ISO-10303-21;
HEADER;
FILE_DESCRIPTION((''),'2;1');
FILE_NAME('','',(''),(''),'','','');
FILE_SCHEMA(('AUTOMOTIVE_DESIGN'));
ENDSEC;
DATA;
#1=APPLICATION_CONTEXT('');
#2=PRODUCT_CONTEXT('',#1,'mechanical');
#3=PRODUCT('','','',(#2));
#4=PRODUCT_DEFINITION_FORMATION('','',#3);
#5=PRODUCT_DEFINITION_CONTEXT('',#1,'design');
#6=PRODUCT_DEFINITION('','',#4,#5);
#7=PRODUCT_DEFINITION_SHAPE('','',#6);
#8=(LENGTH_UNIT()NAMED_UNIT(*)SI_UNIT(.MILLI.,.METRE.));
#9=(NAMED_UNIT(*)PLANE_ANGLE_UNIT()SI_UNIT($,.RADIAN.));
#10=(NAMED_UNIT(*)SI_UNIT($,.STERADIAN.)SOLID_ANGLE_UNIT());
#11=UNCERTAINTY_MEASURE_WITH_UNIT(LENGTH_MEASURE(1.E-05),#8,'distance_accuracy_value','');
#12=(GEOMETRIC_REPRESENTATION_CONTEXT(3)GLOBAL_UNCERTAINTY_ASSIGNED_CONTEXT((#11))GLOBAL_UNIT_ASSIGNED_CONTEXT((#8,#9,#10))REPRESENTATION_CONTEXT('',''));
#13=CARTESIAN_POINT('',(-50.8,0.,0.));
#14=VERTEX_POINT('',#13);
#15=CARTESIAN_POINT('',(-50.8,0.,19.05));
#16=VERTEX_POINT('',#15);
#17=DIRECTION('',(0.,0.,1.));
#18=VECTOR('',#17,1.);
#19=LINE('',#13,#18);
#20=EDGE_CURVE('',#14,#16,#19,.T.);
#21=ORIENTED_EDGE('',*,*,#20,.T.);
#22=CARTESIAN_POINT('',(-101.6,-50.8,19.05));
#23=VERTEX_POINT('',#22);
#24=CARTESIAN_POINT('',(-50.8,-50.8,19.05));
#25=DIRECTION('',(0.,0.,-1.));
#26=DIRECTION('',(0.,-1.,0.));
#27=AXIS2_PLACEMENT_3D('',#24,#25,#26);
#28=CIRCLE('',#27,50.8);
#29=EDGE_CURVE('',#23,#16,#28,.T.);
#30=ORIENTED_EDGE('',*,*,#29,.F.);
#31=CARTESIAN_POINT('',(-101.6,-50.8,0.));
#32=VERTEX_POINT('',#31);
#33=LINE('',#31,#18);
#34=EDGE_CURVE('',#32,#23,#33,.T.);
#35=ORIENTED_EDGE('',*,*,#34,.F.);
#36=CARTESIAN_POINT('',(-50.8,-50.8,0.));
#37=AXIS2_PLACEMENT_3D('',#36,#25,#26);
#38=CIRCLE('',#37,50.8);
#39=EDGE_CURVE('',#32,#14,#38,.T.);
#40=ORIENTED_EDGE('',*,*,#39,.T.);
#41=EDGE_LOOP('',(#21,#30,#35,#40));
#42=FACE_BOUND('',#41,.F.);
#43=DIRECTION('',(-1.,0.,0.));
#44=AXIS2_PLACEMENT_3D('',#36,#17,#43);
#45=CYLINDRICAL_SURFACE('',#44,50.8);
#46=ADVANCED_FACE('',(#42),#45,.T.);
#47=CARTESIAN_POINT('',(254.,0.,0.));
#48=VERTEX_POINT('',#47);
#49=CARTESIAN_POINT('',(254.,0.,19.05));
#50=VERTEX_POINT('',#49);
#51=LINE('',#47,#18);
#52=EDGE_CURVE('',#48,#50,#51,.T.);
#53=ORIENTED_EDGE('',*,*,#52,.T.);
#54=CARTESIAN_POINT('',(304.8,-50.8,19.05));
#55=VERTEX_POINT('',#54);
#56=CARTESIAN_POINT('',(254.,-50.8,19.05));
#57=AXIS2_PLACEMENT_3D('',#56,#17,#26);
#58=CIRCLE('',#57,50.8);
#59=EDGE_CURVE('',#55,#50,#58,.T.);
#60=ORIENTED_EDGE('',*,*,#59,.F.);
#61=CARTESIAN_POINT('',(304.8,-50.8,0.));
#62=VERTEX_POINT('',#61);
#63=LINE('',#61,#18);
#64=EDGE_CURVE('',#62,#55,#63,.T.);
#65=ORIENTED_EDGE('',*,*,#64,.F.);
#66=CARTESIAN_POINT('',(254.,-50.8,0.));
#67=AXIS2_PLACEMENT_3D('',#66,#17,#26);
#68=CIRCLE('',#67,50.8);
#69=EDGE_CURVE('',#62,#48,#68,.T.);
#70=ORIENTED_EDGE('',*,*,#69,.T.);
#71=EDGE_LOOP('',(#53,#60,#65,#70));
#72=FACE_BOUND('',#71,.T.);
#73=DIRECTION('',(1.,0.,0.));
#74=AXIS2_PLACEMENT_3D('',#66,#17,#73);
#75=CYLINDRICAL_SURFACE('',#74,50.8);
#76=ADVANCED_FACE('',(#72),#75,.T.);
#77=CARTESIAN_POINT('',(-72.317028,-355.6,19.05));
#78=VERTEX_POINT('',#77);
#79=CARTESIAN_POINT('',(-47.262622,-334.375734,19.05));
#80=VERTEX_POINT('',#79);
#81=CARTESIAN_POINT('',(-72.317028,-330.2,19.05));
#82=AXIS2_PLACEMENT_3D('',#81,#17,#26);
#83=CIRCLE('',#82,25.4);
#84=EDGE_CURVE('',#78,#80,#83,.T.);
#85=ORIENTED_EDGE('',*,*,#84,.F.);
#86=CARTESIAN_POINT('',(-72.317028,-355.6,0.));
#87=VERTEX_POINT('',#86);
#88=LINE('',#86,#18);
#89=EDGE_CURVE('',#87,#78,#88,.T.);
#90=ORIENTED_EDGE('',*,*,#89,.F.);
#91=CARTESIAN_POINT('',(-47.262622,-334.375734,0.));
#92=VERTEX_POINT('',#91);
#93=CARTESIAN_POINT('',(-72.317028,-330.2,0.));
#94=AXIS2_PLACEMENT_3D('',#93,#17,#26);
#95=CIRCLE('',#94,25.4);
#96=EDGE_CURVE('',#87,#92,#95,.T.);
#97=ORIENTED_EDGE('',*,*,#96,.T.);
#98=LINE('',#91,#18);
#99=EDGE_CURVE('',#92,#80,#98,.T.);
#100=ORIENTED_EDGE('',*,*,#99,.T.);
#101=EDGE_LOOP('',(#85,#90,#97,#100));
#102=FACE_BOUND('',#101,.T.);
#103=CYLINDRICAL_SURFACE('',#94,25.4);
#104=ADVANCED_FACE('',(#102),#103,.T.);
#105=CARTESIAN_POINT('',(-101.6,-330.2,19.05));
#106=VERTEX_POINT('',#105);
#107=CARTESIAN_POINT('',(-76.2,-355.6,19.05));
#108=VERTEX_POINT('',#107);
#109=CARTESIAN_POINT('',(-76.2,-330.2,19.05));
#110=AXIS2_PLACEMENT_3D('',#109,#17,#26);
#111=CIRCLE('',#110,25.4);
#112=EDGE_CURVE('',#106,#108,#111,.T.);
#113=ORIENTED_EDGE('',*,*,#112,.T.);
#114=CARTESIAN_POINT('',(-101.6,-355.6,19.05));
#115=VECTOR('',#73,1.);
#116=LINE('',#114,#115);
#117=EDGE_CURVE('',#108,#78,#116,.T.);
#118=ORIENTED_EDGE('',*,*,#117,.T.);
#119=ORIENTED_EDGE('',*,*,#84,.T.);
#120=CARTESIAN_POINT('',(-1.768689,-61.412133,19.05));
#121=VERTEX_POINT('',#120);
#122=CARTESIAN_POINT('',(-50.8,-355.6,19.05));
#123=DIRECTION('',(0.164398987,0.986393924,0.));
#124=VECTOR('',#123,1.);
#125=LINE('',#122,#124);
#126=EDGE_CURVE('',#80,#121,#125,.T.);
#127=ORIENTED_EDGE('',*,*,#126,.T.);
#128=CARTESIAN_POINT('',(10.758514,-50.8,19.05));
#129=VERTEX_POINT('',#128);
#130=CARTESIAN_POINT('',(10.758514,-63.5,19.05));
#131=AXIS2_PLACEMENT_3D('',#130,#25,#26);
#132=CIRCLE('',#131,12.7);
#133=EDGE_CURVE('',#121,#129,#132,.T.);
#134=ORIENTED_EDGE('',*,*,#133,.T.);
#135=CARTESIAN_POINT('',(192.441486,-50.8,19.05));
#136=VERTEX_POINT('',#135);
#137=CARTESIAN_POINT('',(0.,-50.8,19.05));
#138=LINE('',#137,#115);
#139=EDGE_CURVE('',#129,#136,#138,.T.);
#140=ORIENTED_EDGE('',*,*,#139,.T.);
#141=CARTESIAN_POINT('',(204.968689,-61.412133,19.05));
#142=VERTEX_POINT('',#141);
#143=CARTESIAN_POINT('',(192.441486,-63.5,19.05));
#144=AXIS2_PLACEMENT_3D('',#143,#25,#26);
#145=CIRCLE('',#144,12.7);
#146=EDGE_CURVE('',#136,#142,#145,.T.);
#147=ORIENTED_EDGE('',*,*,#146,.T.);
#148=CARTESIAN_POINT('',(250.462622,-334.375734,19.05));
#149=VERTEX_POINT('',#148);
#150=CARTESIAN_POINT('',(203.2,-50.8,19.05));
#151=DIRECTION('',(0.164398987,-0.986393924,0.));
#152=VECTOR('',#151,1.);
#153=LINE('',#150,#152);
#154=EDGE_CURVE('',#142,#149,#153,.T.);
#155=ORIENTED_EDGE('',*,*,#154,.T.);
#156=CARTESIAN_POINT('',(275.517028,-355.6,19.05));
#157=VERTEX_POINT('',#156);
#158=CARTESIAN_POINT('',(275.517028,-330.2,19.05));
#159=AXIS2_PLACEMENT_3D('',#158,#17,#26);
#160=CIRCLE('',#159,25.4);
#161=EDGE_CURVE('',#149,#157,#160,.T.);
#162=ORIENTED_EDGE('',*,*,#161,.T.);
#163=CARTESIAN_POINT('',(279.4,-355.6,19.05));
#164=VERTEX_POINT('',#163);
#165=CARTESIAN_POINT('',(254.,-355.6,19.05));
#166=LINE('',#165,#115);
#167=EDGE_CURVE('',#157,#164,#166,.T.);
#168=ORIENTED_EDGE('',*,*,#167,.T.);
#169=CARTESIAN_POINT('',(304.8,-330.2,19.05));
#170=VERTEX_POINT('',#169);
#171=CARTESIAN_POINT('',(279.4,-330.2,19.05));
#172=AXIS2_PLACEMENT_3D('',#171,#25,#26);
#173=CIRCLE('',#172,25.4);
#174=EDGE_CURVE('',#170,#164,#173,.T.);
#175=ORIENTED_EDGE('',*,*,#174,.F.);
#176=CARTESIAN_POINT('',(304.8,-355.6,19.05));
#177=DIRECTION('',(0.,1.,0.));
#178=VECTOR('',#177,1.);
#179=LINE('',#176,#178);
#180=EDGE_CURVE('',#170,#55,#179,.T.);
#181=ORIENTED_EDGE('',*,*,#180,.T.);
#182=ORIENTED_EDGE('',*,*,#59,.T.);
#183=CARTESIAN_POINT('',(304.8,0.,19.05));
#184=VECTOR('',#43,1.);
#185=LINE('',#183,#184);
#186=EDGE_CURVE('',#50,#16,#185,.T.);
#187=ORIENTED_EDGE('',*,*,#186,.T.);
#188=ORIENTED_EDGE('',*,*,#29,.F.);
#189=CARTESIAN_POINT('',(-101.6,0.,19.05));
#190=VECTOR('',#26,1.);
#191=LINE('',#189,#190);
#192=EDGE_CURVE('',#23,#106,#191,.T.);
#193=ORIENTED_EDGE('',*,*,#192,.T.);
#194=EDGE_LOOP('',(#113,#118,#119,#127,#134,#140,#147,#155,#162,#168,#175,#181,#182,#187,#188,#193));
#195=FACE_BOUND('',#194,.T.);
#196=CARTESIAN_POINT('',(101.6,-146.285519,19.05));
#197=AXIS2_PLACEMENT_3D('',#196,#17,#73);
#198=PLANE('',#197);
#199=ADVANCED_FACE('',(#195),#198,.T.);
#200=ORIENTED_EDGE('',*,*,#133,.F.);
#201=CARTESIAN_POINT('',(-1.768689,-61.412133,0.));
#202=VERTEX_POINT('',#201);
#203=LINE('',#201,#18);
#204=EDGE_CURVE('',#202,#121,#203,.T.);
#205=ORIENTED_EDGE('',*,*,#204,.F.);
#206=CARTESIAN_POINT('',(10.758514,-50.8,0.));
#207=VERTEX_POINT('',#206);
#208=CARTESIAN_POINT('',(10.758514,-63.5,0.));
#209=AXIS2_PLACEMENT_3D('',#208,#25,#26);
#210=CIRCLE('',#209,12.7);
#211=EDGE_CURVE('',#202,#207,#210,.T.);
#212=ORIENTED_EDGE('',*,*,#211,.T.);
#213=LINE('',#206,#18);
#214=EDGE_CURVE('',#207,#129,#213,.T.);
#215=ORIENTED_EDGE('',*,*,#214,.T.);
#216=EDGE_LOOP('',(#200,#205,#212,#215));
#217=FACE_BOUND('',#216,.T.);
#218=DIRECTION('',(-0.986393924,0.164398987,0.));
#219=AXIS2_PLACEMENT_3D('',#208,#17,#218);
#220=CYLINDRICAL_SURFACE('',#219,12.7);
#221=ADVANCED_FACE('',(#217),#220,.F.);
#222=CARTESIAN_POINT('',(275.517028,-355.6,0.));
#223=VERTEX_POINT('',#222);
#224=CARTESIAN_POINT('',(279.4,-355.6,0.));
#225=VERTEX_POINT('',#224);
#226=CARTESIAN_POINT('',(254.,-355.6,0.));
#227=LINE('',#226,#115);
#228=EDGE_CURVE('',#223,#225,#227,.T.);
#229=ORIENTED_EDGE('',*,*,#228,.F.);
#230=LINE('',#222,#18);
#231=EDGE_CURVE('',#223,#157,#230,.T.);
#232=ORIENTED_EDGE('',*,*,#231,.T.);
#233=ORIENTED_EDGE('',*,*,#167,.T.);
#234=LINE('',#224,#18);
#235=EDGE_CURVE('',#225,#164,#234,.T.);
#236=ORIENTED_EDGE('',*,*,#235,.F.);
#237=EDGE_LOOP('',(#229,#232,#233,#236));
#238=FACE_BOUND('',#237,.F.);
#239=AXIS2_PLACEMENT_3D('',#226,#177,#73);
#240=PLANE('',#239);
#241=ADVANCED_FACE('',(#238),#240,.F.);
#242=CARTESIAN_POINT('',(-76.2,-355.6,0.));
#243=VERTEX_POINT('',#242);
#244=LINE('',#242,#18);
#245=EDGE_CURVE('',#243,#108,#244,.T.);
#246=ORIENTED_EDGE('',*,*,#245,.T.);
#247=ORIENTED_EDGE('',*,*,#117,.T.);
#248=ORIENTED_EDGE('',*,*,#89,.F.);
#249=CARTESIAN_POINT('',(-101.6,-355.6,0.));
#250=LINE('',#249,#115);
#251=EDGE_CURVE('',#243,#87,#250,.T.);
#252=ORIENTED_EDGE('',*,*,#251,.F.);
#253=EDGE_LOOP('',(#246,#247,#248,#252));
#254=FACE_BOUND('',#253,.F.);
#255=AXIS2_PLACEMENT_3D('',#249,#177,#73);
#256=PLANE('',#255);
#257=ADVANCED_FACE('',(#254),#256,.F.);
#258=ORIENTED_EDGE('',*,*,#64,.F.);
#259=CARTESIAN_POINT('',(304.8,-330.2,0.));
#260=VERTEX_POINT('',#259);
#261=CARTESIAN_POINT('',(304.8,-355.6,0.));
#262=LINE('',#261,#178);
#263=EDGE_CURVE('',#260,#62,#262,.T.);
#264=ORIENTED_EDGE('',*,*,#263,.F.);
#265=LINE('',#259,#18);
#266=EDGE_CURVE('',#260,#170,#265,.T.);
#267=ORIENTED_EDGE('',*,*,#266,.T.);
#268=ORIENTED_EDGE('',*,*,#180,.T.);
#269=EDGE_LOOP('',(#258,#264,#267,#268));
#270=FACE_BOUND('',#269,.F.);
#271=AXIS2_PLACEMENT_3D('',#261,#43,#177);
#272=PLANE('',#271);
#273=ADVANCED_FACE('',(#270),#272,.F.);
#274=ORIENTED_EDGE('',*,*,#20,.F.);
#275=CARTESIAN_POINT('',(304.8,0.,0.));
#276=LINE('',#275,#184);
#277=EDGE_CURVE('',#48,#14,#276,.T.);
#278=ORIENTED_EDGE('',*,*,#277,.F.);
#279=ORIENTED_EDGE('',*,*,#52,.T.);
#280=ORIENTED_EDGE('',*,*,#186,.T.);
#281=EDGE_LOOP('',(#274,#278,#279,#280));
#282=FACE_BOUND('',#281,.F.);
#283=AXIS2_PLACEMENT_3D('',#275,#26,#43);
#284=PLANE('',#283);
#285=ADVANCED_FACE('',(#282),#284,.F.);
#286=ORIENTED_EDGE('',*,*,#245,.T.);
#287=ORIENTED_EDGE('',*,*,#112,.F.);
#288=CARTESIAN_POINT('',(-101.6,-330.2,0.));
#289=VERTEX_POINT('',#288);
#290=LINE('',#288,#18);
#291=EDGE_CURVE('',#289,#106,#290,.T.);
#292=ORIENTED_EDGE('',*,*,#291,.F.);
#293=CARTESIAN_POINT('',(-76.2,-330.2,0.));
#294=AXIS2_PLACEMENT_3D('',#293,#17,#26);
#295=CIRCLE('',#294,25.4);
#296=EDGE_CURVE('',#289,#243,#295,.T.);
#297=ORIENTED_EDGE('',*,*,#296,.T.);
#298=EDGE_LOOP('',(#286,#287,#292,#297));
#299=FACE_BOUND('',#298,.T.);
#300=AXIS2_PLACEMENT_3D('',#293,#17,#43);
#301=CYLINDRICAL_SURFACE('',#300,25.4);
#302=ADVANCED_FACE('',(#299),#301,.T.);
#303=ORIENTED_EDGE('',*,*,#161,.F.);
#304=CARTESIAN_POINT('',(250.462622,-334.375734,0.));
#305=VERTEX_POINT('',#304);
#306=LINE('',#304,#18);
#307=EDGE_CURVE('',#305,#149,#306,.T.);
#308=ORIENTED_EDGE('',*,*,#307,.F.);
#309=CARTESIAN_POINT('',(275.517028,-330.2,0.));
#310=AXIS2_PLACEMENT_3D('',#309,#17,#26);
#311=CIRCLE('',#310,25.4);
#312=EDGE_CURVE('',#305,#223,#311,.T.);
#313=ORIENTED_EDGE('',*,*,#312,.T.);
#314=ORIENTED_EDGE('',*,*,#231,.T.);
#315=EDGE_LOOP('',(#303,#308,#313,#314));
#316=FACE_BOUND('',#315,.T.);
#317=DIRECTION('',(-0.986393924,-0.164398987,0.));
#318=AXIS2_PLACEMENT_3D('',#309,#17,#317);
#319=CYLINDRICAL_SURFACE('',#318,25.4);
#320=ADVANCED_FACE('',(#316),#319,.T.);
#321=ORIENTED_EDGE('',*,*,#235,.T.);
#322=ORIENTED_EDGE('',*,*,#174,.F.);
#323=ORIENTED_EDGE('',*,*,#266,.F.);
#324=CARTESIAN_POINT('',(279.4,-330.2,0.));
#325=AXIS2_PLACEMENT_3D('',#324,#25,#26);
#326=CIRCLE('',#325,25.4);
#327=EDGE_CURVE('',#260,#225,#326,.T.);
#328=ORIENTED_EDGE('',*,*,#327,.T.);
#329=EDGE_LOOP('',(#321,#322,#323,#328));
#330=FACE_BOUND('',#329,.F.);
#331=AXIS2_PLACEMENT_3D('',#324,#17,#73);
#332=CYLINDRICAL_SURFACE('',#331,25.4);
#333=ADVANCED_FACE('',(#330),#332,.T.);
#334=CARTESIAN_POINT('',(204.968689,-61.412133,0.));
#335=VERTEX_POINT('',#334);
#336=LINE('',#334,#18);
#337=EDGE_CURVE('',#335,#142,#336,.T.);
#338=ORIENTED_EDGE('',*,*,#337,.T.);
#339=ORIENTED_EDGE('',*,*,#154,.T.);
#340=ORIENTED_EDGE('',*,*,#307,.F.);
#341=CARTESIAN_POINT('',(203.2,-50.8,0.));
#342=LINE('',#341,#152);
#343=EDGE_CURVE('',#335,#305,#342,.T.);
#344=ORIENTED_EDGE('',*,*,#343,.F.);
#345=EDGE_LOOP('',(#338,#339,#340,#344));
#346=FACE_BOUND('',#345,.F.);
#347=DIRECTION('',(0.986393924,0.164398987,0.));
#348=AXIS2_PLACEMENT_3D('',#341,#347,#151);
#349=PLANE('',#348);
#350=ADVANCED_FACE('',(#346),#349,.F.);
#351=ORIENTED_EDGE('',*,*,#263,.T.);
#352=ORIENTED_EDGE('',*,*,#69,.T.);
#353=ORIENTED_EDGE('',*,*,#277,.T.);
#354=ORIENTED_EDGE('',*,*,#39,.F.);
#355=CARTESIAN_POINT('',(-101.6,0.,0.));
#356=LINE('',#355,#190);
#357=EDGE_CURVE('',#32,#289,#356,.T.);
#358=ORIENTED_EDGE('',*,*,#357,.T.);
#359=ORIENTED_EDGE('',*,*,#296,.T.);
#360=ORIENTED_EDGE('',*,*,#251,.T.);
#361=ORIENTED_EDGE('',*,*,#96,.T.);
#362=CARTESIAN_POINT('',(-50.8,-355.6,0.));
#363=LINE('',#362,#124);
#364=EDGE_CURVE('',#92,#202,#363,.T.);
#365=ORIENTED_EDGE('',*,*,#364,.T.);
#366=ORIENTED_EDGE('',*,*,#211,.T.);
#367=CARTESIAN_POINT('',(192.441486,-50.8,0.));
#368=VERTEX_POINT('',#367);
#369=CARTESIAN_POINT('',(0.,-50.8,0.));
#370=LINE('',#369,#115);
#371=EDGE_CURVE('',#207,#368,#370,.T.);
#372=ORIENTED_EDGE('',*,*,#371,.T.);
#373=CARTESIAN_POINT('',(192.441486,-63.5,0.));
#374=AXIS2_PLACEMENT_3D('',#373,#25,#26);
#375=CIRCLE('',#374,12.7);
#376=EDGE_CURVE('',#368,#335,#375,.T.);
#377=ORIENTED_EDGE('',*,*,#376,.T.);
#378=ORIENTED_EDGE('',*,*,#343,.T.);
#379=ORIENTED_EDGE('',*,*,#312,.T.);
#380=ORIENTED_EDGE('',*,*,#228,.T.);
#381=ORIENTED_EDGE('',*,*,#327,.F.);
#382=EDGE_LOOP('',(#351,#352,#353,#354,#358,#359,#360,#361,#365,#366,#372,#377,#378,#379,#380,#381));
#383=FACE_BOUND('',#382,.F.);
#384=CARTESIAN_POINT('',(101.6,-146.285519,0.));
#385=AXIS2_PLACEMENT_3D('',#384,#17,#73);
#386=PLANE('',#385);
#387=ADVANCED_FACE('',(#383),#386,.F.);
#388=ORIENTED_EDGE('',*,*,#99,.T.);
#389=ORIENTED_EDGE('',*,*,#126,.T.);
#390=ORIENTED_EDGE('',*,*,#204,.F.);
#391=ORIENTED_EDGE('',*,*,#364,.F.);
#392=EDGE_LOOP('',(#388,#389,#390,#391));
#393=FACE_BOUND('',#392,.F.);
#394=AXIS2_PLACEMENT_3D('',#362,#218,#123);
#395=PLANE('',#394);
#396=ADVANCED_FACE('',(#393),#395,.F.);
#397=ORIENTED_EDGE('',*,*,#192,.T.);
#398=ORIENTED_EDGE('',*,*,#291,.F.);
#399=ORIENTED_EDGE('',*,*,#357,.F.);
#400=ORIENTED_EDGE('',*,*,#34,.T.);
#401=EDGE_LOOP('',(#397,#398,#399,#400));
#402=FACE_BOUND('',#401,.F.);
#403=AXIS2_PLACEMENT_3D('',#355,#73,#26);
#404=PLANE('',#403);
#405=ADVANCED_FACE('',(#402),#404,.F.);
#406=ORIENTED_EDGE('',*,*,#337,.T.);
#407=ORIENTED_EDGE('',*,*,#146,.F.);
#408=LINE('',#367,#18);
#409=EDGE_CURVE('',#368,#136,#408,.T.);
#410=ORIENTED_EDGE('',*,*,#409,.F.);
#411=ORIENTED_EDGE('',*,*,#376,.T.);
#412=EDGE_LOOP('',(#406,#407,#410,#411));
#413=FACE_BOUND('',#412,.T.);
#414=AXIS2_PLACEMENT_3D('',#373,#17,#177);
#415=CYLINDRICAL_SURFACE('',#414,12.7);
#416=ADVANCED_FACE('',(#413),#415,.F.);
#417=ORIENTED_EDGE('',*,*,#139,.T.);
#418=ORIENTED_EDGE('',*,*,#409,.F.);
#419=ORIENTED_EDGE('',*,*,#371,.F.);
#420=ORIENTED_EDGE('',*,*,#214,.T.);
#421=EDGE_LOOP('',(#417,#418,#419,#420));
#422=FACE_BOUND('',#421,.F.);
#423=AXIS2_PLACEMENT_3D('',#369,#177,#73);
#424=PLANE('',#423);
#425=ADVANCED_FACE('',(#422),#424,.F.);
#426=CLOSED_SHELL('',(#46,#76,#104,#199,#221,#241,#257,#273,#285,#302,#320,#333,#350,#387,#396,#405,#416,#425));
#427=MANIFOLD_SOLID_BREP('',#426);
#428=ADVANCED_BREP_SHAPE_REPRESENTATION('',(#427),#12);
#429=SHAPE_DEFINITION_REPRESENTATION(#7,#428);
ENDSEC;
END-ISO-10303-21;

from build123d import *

# Parameters (mm, degrees)
F1_DEPTH = 19.05
F2_R     = 50.8
F3_R     = 25.4
F4_R     = 12.7


with BuildPart() as f1:
    # F0 (on Top) → F1 (new body)
    with BuildSketch(Plane.XY):
        Polygon((203.2, 0), (0, 0), (-101.6, 0), (-101.6, -355.6), (-50.8, -355.6), (0, -50.8), (203.2, -50.8), (254, -355.6), (304.8, -355.6), (304.8, 0), align=None)
    extrude(amount=F1_DEPTH)

    # F2
    f2_edges = [f1.edges().sort_by_distance(p)[0] for p in [
        (-101.6, 0, 9.525),
        (304.8, 0, 9.525),
    ]]
    fillet(f2_edges, radius=F2_R)

    # F3
    f3_edges = [f1.edges().sort_by_distance(p)[0] for p in [
        (-101.6, -355.6, 9.525),
        (-50.8, -355.6, 9.525),
        (304.8, -355.6, 9.525),
        (254, -355.6, 9.525),
    ]]
    fillet(f3_edges, radius=F3_R)

    # F4
    f4_edges = [f1.edges().sort_by_distance(p)[0] for p in [
        (203.2, -50.8, 9.525),
        (0, -50.8, 9.525),
    ]]
    fillet(f4_edges, radius=F4_R)


solid = f1.part
